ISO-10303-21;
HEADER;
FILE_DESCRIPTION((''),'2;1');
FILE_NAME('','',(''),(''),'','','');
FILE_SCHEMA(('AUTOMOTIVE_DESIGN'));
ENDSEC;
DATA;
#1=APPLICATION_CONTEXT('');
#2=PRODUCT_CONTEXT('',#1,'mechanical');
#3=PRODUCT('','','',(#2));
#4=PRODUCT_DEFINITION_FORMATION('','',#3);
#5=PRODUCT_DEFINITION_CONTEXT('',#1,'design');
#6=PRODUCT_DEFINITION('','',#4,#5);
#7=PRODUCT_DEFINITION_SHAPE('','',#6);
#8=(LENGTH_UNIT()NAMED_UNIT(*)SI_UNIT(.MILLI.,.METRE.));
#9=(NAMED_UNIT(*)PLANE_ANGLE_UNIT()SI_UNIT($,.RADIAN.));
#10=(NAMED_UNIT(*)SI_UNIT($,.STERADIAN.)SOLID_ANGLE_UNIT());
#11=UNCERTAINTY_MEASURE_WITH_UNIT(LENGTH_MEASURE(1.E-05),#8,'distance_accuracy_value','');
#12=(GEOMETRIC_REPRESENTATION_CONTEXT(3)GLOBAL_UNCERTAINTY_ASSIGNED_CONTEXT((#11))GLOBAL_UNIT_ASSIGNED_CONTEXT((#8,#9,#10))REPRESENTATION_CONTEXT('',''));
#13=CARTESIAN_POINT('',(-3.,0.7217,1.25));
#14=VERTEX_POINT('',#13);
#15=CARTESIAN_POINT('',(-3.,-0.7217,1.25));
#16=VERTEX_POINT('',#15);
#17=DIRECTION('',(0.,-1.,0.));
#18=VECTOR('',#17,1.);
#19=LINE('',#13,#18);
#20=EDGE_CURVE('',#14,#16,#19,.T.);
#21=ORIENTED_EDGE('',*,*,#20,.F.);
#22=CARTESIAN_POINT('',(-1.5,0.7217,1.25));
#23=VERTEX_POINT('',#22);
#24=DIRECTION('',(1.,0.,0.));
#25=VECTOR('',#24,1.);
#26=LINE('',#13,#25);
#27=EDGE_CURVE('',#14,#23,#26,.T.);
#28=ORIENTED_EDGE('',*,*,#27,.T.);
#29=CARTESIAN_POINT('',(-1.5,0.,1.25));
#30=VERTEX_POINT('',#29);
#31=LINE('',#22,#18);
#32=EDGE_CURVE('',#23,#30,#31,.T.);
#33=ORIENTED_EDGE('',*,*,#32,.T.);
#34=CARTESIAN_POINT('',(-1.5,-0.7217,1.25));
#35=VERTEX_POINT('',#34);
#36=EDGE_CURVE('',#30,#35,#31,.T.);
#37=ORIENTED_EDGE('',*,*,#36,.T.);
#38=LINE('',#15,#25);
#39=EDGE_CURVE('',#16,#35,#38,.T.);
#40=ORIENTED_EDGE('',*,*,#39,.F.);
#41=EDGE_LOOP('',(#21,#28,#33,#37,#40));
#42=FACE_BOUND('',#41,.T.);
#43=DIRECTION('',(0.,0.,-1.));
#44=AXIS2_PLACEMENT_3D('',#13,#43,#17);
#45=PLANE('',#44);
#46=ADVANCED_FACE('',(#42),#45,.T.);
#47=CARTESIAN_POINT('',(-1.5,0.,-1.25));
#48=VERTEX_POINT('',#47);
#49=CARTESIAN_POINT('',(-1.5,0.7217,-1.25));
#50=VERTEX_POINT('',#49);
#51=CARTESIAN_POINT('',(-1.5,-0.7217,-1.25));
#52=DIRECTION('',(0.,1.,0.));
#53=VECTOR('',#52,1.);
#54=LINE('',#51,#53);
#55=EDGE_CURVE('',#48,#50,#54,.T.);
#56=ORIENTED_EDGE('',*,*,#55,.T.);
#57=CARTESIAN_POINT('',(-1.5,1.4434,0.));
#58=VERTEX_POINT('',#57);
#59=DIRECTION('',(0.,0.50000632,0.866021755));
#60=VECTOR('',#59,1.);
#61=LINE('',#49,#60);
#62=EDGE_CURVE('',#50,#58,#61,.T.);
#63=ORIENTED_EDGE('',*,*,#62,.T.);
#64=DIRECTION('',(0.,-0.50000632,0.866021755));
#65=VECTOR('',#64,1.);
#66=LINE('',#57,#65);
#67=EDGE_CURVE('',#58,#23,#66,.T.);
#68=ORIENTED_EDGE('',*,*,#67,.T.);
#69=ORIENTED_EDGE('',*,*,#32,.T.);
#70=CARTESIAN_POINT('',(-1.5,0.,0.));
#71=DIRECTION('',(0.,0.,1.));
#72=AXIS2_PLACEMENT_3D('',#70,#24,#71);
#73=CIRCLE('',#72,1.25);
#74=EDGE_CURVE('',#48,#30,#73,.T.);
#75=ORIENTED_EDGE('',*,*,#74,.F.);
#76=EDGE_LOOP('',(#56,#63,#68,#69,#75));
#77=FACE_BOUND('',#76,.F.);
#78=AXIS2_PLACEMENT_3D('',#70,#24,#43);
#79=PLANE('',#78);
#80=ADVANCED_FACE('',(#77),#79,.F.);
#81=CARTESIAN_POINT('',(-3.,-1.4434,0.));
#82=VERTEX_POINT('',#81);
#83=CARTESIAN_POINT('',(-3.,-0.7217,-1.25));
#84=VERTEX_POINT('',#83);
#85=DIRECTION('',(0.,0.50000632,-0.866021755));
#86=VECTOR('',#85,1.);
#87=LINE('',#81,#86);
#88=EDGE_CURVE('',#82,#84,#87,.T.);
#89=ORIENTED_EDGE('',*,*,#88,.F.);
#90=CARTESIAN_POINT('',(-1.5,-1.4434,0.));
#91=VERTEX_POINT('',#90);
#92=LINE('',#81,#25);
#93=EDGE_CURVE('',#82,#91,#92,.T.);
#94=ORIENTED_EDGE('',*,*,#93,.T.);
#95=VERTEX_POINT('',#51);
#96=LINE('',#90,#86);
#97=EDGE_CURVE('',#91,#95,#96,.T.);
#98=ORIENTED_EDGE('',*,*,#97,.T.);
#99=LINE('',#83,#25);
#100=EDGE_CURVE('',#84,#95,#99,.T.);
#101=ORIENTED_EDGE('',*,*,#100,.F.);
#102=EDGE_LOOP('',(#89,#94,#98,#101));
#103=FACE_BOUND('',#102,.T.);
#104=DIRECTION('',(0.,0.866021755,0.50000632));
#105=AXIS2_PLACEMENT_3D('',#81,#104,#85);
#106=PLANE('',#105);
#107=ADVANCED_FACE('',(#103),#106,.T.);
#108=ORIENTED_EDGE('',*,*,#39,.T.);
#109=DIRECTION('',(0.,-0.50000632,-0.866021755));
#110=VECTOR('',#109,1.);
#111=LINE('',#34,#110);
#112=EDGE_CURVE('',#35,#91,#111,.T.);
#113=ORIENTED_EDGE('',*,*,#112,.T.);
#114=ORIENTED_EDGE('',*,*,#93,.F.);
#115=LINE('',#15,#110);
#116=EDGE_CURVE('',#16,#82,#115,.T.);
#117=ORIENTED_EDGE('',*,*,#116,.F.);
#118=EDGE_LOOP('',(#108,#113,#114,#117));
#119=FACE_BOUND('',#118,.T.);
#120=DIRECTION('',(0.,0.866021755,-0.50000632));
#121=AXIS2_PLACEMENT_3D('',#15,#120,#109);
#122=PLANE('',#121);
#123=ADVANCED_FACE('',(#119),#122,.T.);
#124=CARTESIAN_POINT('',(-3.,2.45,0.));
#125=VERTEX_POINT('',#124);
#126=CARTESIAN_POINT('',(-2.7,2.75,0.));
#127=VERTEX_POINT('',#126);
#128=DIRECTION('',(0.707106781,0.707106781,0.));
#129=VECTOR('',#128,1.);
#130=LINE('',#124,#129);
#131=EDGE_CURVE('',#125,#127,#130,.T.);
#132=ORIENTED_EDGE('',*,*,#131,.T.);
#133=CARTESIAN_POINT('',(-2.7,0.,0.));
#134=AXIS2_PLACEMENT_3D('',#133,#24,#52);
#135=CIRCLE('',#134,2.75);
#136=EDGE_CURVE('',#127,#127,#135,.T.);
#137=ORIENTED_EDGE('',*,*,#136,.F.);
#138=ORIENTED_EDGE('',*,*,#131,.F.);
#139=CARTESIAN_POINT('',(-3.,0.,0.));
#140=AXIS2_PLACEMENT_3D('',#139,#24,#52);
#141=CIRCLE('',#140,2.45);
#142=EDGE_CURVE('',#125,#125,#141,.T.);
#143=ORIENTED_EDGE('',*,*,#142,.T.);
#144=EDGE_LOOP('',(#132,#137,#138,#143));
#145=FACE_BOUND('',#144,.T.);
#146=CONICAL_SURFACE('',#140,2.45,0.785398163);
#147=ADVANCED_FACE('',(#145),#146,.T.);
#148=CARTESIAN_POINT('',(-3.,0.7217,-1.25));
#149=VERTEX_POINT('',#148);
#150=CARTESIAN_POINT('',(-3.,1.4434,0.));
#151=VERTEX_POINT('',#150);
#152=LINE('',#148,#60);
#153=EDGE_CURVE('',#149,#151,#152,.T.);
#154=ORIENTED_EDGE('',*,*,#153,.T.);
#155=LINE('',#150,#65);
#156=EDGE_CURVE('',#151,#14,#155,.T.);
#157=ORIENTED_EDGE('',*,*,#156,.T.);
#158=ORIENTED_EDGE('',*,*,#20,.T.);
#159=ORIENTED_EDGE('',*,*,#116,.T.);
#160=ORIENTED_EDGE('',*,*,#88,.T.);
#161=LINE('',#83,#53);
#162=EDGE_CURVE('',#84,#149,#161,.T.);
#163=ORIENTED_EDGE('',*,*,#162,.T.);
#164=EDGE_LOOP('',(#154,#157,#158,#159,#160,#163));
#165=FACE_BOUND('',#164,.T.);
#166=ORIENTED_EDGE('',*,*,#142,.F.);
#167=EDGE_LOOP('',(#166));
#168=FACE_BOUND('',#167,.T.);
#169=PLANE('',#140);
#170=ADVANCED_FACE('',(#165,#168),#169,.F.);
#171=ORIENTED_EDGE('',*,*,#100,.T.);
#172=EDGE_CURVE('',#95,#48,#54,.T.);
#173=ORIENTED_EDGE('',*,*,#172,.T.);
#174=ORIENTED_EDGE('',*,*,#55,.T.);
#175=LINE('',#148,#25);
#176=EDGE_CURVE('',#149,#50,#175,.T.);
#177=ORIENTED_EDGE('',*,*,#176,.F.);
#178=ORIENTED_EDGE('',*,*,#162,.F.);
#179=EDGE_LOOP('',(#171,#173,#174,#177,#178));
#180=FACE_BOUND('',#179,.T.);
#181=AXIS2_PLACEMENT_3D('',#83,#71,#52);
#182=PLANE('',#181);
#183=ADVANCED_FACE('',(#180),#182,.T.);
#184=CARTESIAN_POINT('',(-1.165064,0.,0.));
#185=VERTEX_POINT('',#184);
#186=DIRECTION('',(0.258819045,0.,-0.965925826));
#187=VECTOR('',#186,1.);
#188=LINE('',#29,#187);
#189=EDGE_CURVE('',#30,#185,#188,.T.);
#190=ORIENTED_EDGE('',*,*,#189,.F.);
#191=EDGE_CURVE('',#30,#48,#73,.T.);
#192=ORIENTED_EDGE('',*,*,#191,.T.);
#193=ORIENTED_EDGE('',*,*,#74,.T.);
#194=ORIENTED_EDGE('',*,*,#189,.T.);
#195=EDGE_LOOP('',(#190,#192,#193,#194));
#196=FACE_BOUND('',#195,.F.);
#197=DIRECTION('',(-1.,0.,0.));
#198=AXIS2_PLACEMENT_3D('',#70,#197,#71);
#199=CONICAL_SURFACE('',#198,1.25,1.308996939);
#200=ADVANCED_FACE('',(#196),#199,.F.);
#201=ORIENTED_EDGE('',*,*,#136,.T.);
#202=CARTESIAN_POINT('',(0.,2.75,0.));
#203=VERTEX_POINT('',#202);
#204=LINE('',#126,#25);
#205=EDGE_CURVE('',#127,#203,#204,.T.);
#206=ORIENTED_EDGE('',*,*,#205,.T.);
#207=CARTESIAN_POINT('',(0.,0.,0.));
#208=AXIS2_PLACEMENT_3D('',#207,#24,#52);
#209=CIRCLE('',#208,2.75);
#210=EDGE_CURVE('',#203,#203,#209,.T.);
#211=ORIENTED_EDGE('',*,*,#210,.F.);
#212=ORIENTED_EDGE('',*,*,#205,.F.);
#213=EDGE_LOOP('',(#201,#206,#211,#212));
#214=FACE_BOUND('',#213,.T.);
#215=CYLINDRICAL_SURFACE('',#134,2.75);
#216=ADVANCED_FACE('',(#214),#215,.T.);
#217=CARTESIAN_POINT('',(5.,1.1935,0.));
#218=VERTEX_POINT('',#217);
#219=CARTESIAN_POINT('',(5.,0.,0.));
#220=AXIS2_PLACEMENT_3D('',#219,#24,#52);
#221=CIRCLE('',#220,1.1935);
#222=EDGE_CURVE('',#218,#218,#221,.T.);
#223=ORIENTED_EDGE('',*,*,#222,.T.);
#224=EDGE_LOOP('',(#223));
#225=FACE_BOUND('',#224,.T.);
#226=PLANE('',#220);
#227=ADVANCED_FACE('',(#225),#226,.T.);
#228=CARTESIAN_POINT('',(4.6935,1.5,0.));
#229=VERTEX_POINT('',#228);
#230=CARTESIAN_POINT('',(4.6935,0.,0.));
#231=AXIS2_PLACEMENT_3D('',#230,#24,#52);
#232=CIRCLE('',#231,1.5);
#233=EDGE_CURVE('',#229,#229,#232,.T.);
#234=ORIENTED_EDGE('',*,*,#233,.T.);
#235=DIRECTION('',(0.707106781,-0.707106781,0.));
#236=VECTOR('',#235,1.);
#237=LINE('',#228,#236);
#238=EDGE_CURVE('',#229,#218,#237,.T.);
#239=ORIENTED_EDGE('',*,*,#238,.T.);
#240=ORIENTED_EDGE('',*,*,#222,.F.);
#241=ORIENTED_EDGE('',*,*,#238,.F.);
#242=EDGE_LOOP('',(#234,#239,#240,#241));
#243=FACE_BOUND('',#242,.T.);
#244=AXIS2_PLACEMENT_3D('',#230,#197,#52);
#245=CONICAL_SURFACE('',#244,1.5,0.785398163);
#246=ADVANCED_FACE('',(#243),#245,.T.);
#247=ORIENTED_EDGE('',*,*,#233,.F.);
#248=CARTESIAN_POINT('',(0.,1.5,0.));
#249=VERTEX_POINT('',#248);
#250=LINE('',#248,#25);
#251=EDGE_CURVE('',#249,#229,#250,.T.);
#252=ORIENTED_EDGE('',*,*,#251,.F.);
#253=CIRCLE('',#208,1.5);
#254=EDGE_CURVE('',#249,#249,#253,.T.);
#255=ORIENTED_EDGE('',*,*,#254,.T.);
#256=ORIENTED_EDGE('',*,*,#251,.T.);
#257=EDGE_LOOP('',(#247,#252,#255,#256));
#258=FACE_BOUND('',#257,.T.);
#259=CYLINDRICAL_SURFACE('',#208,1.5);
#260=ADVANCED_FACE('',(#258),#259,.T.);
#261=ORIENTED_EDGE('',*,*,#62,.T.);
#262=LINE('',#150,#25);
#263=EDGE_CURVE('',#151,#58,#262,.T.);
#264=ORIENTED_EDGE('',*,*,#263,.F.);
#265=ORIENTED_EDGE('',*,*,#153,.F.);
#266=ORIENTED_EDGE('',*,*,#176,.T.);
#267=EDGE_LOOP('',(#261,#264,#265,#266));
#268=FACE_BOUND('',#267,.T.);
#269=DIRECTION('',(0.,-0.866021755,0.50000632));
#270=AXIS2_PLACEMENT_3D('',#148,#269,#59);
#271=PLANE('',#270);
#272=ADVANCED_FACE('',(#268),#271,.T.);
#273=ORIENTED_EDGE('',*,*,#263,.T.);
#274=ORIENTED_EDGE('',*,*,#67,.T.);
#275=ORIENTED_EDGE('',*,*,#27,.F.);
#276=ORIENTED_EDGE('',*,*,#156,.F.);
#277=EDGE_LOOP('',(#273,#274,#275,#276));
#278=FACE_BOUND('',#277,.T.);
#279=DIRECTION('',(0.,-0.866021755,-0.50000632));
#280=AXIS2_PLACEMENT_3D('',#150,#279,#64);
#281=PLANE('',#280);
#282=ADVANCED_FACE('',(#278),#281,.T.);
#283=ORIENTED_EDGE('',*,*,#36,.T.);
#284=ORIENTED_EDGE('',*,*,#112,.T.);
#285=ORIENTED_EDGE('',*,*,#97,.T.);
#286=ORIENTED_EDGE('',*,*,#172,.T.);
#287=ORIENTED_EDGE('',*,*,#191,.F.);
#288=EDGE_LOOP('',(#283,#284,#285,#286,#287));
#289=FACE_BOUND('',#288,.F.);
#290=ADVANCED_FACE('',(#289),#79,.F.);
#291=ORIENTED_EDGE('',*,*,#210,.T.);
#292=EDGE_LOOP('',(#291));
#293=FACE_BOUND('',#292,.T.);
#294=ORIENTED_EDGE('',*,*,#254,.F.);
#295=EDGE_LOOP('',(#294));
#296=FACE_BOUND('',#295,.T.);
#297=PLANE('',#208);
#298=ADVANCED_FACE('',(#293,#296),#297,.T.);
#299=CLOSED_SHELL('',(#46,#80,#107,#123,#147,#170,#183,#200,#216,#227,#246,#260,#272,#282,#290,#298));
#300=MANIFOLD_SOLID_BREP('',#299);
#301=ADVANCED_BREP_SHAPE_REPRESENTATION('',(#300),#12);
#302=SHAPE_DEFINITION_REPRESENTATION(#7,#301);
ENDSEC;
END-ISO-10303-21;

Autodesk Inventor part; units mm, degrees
sketch "Sketch_1" plane through (0, 0, 0) normal (0, 0, 1) x (1, 0, 0)
  line L0 (5, 0) -> (-3, 0)
  line L1 (-3, 0) -> (-3, 2.45)
  line L2 (-3, 2.45) -> (-2.7, 2.75)
  line L3 (-2.7, 2.75) -> (0, 2.75)
  line L4 (0, 2.75) -> (0, 1.5)
  line L5 (0, 1.5) -> (4.6935, 1.5)
  line L6 (4.6935, 1.5) -> (5, 1.1935)
  line L7 (5, 1.1935) -> (5, 0)
  line L8 (5, 0) -> (-3, 0)
revolve "Revolution1" add sketch "Sketch_1" angle 360 about axis through (5, 0, 0) along (1, 0, 0)
thread "Thread1" size "M3x0.5" class "6g" standard "ISO Metric profile" length 3.6935
sketch "Sketch2" plane through (-3, 0, 0) normal (-1, 0, 0) x (0, 0, 1)
  point P0 (0, 0)
hole "Hole1" at (-3, 0, 0) direction (1, 0, 0) diameter 2.5 depth 1.5 tip angle 150
sketch "Sketch_3" plane through (-3, 0, 0) normal (1, 0, 0) x (0, 0, -1)
  line L0 (-1.25, -0.7217) -> (0, -1.4434)
  line L1 (0, -1.4434) -> (1.25, -0.7217)
  line L2 (1.25, -0.7217) -> (1.25, 0.7217)
  line L3 (1.25, 0.7217) -> (0, 1.4434)
  line L4 (0, 1.4434) -> (-1.25, 0.7217)
  line L5 (-1.25, 0.7217) -> (-1.25, -0.7217)
extrude "Extrusion1" cut sketch "Sketch_3" along normal blind 1.5
ref_plane "bolt_to_nut_XY" through (5, 0, 0) normal (1, 0, 0) x (0, 0, -1)
ref_plane "bolt_to_nut_YZ" through (5, 0, 0) normal (0, 0, -1) x (0, 1, 0)
ref_plane "bolt_to_nut_ZX" through (5, 0, 0) normal (0, 1, 0) x (1, 0, 0)
ref_plane "screw1_XY" through (0, 0, 0) normal (1, 0, 0) x (0, 0, -1)
ref_plane "screw1_YZ" through (0, 0, 0) normal (0, 0, -1) x (0, 1, 0)
ref_plane "screw1_ZX" through (0, 0, 0) normal (0, 1, 0) x (1, 0, 0)
properties part number "CB3-5" material "鋼、炭素鋼"
